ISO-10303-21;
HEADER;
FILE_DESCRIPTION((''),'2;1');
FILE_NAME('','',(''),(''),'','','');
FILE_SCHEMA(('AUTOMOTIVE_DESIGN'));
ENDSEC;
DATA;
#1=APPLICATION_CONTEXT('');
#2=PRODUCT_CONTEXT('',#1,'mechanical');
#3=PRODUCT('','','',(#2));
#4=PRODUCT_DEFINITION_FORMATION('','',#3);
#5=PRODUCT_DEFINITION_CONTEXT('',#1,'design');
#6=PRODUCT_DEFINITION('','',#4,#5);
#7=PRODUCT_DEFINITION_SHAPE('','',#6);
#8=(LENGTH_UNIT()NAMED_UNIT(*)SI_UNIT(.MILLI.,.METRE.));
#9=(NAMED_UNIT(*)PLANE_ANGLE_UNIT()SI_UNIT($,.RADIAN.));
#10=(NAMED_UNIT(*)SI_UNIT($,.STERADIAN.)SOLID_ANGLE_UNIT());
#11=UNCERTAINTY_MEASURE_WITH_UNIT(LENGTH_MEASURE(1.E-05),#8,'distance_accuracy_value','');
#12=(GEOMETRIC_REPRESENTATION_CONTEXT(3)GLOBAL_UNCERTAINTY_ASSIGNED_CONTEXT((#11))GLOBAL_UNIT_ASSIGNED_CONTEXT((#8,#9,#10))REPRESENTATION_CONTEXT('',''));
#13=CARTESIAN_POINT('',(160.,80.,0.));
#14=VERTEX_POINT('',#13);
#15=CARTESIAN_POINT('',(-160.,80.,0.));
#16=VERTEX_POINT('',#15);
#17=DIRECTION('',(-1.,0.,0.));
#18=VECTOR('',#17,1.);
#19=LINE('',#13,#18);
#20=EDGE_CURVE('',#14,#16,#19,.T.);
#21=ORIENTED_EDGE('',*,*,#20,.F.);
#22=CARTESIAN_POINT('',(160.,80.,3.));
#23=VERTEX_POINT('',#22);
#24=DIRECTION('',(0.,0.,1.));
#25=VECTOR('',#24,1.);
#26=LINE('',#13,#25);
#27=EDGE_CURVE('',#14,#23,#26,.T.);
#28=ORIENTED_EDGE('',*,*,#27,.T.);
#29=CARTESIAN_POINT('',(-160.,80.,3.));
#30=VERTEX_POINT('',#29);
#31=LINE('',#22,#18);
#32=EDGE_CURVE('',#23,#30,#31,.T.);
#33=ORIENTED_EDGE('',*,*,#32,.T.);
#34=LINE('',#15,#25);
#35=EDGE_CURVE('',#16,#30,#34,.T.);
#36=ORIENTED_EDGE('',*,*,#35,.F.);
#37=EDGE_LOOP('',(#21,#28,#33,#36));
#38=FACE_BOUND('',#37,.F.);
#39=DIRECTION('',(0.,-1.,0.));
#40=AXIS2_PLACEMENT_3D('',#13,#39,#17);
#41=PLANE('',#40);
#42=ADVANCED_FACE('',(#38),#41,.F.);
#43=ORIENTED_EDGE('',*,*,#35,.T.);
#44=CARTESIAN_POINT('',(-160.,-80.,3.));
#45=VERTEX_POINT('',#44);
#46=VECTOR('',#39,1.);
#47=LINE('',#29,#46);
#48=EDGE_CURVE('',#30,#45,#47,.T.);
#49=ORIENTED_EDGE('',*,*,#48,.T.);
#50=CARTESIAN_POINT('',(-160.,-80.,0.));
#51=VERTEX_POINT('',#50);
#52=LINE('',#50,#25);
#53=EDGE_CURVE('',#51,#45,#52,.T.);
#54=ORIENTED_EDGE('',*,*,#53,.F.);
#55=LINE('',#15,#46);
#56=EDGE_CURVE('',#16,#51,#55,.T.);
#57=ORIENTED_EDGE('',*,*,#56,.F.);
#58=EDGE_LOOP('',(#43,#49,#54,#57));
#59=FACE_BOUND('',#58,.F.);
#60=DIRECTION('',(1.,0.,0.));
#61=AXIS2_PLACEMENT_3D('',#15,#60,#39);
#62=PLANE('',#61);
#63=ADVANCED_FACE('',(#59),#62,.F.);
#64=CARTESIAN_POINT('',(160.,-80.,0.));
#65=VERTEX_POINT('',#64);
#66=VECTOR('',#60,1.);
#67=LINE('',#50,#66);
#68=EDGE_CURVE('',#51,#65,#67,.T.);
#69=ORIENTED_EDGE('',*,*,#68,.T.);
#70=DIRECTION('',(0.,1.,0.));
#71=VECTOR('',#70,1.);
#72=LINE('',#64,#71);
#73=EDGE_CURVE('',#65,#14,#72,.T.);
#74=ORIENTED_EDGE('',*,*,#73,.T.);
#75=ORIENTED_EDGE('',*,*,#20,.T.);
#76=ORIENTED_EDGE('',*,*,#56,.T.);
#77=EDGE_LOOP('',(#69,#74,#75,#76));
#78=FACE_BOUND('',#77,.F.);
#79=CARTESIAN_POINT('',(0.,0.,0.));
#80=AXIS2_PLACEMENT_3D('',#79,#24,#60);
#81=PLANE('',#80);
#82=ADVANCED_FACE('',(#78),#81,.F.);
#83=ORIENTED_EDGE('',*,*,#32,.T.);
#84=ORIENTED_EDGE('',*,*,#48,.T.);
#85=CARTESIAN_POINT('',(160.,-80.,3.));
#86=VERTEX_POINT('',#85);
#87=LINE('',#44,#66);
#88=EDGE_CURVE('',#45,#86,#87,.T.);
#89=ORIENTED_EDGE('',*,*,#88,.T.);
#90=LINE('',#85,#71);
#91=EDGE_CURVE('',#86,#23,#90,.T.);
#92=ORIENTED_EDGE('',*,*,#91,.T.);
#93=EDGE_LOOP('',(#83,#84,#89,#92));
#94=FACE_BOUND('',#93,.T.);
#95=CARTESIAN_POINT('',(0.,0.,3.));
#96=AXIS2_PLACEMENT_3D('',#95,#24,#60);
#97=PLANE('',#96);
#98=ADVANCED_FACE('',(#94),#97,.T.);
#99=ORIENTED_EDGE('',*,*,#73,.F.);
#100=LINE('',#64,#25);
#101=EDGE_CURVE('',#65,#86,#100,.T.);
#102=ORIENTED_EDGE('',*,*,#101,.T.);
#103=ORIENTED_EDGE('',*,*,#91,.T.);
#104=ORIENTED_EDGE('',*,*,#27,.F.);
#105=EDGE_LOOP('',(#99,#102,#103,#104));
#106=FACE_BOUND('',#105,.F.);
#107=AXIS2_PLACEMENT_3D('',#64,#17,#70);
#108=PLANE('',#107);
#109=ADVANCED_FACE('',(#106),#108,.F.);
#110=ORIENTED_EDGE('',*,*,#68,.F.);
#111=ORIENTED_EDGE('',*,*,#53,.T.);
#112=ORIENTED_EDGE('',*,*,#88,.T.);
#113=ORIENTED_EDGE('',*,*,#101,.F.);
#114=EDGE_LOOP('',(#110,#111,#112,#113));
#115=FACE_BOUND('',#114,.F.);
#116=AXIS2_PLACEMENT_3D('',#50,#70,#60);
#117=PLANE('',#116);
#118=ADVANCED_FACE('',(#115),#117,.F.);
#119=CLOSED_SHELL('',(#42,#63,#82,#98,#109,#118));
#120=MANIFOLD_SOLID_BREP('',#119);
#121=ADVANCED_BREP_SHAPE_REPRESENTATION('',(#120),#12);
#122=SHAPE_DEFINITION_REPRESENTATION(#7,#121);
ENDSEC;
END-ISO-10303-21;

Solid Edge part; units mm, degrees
sketch "Sketch1" plane through (0, 0, 0) normal (0, 0, 1) x (1, 0, 0)
  line L0 (160, 80) -> (-160, 80)
  line L1 (-160, 80) -> (-160, -80)
  line L2 (-160, -80) -> (160, -80)
  line L3 (160, -80) -> (160, 80)
extrude "Protrusion1" add sketch "Sketch1" along normal blind 3
